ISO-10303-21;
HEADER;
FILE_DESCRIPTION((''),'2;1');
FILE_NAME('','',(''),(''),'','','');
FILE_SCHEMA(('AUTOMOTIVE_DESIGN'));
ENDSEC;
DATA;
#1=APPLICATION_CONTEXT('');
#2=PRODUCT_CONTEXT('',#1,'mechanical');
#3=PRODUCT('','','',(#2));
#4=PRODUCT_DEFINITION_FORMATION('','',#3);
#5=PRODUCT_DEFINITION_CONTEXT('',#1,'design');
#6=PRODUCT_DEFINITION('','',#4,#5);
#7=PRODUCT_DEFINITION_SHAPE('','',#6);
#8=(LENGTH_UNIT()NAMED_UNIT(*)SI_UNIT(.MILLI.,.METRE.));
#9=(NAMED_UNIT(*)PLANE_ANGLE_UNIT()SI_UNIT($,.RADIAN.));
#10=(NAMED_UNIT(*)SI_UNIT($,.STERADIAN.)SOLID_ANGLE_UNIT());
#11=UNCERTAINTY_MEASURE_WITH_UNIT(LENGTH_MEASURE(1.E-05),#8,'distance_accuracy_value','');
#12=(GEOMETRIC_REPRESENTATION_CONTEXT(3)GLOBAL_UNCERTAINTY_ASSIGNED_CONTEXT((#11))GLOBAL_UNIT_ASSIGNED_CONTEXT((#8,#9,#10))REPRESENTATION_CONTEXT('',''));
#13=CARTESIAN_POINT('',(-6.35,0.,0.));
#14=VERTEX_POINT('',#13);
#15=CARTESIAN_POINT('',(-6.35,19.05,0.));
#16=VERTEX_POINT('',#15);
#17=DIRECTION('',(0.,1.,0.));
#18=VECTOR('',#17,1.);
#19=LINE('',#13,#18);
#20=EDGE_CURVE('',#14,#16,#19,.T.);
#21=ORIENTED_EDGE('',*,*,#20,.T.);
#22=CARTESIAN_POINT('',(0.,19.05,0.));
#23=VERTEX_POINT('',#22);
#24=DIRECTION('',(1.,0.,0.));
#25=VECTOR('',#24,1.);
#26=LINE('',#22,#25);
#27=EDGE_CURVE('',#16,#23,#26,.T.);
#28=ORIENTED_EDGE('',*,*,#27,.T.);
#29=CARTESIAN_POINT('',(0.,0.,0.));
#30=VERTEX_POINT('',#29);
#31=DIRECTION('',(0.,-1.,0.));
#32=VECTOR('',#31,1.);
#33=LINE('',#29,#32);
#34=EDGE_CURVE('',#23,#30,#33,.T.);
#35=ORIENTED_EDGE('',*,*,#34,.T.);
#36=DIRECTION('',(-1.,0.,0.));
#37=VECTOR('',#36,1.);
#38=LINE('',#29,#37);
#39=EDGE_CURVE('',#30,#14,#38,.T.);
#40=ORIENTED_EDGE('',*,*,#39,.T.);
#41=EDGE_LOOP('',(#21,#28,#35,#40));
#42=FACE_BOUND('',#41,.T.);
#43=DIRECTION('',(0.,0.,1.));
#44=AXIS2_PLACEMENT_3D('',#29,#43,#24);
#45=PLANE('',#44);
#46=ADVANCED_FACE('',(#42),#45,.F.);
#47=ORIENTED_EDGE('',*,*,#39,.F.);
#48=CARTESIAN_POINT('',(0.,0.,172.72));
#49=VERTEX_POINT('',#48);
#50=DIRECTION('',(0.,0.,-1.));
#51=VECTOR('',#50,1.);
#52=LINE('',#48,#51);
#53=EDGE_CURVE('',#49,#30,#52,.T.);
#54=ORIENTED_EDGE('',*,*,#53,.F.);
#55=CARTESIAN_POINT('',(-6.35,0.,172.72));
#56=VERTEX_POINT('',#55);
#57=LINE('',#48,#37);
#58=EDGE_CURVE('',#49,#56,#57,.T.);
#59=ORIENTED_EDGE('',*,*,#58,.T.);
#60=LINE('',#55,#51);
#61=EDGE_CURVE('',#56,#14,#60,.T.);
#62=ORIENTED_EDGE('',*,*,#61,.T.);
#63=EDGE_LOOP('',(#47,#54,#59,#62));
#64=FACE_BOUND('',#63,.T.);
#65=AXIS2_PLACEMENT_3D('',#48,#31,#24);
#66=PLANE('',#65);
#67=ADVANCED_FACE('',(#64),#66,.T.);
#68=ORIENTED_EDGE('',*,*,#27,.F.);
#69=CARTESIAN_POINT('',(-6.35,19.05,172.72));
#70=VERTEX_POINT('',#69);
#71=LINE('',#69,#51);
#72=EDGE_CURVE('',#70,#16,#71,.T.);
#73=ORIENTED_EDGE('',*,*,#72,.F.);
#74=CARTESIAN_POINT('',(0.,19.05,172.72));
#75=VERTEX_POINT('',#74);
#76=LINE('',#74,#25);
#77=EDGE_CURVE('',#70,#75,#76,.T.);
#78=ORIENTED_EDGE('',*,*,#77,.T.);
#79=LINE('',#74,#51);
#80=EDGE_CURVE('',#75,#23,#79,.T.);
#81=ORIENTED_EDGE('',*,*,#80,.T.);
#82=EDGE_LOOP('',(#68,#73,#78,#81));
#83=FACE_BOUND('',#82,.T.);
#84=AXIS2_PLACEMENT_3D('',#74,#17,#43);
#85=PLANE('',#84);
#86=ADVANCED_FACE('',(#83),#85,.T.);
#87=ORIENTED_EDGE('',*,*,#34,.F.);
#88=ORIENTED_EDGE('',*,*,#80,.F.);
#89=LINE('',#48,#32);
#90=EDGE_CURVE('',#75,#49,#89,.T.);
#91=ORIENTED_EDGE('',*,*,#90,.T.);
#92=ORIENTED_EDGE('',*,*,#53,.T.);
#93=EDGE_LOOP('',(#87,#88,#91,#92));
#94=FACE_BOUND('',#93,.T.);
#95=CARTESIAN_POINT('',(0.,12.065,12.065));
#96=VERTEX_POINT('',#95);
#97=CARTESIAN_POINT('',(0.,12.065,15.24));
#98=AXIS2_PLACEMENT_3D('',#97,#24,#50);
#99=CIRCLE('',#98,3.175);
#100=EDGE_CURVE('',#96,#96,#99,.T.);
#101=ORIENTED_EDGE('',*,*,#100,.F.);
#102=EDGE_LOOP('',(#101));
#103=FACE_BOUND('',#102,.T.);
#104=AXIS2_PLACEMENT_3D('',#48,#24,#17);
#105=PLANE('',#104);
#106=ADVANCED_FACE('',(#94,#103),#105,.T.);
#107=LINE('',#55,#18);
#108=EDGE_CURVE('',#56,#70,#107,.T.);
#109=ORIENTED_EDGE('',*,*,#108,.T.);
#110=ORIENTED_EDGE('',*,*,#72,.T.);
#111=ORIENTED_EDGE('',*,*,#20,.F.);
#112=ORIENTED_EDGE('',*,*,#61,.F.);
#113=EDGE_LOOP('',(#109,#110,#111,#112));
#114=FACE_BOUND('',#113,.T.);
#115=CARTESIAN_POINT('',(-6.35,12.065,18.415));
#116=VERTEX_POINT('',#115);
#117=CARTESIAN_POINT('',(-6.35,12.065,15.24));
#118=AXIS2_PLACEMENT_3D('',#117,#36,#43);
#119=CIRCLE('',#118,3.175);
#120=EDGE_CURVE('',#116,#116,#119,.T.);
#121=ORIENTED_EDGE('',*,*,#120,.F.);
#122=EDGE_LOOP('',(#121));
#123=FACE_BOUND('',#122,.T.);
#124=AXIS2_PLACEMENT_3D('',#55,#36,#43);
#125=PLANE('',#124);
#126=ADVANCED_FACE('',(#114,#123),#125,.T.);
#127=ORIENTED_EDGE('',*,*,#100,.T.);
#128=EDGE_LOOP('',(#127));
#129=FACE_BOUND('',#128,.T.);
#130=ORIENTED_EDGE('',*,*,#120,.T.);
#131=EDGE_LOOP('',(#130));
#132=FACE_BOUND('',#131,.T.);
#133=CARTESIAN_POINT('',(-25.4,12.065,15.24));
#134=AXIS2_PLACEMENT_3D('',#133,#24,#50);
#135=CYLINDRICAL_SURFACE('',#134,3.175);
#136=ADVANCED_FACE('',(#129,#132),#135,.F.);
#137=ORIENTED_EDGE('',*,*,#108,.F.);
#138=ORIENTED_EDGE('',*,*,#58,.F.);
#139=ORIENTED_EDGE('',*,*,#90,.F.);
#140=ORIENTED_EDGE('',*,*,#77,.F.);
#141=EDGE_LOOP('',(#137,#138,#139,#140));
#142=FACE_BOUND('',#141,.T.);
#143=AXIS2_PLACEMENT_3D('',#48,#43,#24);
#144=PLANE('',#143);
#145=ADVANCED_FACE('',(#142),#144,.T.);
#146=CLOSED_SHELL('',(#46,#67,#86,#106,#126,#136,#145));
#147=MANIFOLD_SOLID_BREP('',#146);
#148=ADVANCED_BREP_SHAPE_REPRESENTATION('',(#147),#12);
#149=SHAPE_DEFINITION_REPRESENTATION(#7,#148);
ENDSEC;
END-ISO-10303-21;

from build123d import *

# Parameters (mm, degrees)
SKETCH1_W           = 6.35
SKETCH1_H           = 19.05
BOSS_EXTRUDE1_DEPTH = 172.72
SKETCH4_R           = 3.175000102
CUT_EXTRUDE3_DEPTH  = 25.4


with BuildPart() as part:
    # Sketch1 → Boss-Extrude1 (new body)
    with BuildSketch(Plane.XY):
        with Locations((-3.175, 9.525)):
            Rectangle(SKETCH1_W, SKETCH1_H)
    extrude(amount=BOSS_EXTRUDE1_DEPTH)

    # Sketch4 → Cut-Extrude3 (cut)
    with BuildSketch(Plane(origin=(0, 0, 0), x_dir=(0, 0, -1), z_dir=(1, 0, 0))):
        with Locations((-15.24, 12.065)):
            Circle(SKETCH4_R)
    extrude(amount=-CUT_EXTRUDE3_DEPTH, mode=Mode.SUBTRACT)


solid = part.part
